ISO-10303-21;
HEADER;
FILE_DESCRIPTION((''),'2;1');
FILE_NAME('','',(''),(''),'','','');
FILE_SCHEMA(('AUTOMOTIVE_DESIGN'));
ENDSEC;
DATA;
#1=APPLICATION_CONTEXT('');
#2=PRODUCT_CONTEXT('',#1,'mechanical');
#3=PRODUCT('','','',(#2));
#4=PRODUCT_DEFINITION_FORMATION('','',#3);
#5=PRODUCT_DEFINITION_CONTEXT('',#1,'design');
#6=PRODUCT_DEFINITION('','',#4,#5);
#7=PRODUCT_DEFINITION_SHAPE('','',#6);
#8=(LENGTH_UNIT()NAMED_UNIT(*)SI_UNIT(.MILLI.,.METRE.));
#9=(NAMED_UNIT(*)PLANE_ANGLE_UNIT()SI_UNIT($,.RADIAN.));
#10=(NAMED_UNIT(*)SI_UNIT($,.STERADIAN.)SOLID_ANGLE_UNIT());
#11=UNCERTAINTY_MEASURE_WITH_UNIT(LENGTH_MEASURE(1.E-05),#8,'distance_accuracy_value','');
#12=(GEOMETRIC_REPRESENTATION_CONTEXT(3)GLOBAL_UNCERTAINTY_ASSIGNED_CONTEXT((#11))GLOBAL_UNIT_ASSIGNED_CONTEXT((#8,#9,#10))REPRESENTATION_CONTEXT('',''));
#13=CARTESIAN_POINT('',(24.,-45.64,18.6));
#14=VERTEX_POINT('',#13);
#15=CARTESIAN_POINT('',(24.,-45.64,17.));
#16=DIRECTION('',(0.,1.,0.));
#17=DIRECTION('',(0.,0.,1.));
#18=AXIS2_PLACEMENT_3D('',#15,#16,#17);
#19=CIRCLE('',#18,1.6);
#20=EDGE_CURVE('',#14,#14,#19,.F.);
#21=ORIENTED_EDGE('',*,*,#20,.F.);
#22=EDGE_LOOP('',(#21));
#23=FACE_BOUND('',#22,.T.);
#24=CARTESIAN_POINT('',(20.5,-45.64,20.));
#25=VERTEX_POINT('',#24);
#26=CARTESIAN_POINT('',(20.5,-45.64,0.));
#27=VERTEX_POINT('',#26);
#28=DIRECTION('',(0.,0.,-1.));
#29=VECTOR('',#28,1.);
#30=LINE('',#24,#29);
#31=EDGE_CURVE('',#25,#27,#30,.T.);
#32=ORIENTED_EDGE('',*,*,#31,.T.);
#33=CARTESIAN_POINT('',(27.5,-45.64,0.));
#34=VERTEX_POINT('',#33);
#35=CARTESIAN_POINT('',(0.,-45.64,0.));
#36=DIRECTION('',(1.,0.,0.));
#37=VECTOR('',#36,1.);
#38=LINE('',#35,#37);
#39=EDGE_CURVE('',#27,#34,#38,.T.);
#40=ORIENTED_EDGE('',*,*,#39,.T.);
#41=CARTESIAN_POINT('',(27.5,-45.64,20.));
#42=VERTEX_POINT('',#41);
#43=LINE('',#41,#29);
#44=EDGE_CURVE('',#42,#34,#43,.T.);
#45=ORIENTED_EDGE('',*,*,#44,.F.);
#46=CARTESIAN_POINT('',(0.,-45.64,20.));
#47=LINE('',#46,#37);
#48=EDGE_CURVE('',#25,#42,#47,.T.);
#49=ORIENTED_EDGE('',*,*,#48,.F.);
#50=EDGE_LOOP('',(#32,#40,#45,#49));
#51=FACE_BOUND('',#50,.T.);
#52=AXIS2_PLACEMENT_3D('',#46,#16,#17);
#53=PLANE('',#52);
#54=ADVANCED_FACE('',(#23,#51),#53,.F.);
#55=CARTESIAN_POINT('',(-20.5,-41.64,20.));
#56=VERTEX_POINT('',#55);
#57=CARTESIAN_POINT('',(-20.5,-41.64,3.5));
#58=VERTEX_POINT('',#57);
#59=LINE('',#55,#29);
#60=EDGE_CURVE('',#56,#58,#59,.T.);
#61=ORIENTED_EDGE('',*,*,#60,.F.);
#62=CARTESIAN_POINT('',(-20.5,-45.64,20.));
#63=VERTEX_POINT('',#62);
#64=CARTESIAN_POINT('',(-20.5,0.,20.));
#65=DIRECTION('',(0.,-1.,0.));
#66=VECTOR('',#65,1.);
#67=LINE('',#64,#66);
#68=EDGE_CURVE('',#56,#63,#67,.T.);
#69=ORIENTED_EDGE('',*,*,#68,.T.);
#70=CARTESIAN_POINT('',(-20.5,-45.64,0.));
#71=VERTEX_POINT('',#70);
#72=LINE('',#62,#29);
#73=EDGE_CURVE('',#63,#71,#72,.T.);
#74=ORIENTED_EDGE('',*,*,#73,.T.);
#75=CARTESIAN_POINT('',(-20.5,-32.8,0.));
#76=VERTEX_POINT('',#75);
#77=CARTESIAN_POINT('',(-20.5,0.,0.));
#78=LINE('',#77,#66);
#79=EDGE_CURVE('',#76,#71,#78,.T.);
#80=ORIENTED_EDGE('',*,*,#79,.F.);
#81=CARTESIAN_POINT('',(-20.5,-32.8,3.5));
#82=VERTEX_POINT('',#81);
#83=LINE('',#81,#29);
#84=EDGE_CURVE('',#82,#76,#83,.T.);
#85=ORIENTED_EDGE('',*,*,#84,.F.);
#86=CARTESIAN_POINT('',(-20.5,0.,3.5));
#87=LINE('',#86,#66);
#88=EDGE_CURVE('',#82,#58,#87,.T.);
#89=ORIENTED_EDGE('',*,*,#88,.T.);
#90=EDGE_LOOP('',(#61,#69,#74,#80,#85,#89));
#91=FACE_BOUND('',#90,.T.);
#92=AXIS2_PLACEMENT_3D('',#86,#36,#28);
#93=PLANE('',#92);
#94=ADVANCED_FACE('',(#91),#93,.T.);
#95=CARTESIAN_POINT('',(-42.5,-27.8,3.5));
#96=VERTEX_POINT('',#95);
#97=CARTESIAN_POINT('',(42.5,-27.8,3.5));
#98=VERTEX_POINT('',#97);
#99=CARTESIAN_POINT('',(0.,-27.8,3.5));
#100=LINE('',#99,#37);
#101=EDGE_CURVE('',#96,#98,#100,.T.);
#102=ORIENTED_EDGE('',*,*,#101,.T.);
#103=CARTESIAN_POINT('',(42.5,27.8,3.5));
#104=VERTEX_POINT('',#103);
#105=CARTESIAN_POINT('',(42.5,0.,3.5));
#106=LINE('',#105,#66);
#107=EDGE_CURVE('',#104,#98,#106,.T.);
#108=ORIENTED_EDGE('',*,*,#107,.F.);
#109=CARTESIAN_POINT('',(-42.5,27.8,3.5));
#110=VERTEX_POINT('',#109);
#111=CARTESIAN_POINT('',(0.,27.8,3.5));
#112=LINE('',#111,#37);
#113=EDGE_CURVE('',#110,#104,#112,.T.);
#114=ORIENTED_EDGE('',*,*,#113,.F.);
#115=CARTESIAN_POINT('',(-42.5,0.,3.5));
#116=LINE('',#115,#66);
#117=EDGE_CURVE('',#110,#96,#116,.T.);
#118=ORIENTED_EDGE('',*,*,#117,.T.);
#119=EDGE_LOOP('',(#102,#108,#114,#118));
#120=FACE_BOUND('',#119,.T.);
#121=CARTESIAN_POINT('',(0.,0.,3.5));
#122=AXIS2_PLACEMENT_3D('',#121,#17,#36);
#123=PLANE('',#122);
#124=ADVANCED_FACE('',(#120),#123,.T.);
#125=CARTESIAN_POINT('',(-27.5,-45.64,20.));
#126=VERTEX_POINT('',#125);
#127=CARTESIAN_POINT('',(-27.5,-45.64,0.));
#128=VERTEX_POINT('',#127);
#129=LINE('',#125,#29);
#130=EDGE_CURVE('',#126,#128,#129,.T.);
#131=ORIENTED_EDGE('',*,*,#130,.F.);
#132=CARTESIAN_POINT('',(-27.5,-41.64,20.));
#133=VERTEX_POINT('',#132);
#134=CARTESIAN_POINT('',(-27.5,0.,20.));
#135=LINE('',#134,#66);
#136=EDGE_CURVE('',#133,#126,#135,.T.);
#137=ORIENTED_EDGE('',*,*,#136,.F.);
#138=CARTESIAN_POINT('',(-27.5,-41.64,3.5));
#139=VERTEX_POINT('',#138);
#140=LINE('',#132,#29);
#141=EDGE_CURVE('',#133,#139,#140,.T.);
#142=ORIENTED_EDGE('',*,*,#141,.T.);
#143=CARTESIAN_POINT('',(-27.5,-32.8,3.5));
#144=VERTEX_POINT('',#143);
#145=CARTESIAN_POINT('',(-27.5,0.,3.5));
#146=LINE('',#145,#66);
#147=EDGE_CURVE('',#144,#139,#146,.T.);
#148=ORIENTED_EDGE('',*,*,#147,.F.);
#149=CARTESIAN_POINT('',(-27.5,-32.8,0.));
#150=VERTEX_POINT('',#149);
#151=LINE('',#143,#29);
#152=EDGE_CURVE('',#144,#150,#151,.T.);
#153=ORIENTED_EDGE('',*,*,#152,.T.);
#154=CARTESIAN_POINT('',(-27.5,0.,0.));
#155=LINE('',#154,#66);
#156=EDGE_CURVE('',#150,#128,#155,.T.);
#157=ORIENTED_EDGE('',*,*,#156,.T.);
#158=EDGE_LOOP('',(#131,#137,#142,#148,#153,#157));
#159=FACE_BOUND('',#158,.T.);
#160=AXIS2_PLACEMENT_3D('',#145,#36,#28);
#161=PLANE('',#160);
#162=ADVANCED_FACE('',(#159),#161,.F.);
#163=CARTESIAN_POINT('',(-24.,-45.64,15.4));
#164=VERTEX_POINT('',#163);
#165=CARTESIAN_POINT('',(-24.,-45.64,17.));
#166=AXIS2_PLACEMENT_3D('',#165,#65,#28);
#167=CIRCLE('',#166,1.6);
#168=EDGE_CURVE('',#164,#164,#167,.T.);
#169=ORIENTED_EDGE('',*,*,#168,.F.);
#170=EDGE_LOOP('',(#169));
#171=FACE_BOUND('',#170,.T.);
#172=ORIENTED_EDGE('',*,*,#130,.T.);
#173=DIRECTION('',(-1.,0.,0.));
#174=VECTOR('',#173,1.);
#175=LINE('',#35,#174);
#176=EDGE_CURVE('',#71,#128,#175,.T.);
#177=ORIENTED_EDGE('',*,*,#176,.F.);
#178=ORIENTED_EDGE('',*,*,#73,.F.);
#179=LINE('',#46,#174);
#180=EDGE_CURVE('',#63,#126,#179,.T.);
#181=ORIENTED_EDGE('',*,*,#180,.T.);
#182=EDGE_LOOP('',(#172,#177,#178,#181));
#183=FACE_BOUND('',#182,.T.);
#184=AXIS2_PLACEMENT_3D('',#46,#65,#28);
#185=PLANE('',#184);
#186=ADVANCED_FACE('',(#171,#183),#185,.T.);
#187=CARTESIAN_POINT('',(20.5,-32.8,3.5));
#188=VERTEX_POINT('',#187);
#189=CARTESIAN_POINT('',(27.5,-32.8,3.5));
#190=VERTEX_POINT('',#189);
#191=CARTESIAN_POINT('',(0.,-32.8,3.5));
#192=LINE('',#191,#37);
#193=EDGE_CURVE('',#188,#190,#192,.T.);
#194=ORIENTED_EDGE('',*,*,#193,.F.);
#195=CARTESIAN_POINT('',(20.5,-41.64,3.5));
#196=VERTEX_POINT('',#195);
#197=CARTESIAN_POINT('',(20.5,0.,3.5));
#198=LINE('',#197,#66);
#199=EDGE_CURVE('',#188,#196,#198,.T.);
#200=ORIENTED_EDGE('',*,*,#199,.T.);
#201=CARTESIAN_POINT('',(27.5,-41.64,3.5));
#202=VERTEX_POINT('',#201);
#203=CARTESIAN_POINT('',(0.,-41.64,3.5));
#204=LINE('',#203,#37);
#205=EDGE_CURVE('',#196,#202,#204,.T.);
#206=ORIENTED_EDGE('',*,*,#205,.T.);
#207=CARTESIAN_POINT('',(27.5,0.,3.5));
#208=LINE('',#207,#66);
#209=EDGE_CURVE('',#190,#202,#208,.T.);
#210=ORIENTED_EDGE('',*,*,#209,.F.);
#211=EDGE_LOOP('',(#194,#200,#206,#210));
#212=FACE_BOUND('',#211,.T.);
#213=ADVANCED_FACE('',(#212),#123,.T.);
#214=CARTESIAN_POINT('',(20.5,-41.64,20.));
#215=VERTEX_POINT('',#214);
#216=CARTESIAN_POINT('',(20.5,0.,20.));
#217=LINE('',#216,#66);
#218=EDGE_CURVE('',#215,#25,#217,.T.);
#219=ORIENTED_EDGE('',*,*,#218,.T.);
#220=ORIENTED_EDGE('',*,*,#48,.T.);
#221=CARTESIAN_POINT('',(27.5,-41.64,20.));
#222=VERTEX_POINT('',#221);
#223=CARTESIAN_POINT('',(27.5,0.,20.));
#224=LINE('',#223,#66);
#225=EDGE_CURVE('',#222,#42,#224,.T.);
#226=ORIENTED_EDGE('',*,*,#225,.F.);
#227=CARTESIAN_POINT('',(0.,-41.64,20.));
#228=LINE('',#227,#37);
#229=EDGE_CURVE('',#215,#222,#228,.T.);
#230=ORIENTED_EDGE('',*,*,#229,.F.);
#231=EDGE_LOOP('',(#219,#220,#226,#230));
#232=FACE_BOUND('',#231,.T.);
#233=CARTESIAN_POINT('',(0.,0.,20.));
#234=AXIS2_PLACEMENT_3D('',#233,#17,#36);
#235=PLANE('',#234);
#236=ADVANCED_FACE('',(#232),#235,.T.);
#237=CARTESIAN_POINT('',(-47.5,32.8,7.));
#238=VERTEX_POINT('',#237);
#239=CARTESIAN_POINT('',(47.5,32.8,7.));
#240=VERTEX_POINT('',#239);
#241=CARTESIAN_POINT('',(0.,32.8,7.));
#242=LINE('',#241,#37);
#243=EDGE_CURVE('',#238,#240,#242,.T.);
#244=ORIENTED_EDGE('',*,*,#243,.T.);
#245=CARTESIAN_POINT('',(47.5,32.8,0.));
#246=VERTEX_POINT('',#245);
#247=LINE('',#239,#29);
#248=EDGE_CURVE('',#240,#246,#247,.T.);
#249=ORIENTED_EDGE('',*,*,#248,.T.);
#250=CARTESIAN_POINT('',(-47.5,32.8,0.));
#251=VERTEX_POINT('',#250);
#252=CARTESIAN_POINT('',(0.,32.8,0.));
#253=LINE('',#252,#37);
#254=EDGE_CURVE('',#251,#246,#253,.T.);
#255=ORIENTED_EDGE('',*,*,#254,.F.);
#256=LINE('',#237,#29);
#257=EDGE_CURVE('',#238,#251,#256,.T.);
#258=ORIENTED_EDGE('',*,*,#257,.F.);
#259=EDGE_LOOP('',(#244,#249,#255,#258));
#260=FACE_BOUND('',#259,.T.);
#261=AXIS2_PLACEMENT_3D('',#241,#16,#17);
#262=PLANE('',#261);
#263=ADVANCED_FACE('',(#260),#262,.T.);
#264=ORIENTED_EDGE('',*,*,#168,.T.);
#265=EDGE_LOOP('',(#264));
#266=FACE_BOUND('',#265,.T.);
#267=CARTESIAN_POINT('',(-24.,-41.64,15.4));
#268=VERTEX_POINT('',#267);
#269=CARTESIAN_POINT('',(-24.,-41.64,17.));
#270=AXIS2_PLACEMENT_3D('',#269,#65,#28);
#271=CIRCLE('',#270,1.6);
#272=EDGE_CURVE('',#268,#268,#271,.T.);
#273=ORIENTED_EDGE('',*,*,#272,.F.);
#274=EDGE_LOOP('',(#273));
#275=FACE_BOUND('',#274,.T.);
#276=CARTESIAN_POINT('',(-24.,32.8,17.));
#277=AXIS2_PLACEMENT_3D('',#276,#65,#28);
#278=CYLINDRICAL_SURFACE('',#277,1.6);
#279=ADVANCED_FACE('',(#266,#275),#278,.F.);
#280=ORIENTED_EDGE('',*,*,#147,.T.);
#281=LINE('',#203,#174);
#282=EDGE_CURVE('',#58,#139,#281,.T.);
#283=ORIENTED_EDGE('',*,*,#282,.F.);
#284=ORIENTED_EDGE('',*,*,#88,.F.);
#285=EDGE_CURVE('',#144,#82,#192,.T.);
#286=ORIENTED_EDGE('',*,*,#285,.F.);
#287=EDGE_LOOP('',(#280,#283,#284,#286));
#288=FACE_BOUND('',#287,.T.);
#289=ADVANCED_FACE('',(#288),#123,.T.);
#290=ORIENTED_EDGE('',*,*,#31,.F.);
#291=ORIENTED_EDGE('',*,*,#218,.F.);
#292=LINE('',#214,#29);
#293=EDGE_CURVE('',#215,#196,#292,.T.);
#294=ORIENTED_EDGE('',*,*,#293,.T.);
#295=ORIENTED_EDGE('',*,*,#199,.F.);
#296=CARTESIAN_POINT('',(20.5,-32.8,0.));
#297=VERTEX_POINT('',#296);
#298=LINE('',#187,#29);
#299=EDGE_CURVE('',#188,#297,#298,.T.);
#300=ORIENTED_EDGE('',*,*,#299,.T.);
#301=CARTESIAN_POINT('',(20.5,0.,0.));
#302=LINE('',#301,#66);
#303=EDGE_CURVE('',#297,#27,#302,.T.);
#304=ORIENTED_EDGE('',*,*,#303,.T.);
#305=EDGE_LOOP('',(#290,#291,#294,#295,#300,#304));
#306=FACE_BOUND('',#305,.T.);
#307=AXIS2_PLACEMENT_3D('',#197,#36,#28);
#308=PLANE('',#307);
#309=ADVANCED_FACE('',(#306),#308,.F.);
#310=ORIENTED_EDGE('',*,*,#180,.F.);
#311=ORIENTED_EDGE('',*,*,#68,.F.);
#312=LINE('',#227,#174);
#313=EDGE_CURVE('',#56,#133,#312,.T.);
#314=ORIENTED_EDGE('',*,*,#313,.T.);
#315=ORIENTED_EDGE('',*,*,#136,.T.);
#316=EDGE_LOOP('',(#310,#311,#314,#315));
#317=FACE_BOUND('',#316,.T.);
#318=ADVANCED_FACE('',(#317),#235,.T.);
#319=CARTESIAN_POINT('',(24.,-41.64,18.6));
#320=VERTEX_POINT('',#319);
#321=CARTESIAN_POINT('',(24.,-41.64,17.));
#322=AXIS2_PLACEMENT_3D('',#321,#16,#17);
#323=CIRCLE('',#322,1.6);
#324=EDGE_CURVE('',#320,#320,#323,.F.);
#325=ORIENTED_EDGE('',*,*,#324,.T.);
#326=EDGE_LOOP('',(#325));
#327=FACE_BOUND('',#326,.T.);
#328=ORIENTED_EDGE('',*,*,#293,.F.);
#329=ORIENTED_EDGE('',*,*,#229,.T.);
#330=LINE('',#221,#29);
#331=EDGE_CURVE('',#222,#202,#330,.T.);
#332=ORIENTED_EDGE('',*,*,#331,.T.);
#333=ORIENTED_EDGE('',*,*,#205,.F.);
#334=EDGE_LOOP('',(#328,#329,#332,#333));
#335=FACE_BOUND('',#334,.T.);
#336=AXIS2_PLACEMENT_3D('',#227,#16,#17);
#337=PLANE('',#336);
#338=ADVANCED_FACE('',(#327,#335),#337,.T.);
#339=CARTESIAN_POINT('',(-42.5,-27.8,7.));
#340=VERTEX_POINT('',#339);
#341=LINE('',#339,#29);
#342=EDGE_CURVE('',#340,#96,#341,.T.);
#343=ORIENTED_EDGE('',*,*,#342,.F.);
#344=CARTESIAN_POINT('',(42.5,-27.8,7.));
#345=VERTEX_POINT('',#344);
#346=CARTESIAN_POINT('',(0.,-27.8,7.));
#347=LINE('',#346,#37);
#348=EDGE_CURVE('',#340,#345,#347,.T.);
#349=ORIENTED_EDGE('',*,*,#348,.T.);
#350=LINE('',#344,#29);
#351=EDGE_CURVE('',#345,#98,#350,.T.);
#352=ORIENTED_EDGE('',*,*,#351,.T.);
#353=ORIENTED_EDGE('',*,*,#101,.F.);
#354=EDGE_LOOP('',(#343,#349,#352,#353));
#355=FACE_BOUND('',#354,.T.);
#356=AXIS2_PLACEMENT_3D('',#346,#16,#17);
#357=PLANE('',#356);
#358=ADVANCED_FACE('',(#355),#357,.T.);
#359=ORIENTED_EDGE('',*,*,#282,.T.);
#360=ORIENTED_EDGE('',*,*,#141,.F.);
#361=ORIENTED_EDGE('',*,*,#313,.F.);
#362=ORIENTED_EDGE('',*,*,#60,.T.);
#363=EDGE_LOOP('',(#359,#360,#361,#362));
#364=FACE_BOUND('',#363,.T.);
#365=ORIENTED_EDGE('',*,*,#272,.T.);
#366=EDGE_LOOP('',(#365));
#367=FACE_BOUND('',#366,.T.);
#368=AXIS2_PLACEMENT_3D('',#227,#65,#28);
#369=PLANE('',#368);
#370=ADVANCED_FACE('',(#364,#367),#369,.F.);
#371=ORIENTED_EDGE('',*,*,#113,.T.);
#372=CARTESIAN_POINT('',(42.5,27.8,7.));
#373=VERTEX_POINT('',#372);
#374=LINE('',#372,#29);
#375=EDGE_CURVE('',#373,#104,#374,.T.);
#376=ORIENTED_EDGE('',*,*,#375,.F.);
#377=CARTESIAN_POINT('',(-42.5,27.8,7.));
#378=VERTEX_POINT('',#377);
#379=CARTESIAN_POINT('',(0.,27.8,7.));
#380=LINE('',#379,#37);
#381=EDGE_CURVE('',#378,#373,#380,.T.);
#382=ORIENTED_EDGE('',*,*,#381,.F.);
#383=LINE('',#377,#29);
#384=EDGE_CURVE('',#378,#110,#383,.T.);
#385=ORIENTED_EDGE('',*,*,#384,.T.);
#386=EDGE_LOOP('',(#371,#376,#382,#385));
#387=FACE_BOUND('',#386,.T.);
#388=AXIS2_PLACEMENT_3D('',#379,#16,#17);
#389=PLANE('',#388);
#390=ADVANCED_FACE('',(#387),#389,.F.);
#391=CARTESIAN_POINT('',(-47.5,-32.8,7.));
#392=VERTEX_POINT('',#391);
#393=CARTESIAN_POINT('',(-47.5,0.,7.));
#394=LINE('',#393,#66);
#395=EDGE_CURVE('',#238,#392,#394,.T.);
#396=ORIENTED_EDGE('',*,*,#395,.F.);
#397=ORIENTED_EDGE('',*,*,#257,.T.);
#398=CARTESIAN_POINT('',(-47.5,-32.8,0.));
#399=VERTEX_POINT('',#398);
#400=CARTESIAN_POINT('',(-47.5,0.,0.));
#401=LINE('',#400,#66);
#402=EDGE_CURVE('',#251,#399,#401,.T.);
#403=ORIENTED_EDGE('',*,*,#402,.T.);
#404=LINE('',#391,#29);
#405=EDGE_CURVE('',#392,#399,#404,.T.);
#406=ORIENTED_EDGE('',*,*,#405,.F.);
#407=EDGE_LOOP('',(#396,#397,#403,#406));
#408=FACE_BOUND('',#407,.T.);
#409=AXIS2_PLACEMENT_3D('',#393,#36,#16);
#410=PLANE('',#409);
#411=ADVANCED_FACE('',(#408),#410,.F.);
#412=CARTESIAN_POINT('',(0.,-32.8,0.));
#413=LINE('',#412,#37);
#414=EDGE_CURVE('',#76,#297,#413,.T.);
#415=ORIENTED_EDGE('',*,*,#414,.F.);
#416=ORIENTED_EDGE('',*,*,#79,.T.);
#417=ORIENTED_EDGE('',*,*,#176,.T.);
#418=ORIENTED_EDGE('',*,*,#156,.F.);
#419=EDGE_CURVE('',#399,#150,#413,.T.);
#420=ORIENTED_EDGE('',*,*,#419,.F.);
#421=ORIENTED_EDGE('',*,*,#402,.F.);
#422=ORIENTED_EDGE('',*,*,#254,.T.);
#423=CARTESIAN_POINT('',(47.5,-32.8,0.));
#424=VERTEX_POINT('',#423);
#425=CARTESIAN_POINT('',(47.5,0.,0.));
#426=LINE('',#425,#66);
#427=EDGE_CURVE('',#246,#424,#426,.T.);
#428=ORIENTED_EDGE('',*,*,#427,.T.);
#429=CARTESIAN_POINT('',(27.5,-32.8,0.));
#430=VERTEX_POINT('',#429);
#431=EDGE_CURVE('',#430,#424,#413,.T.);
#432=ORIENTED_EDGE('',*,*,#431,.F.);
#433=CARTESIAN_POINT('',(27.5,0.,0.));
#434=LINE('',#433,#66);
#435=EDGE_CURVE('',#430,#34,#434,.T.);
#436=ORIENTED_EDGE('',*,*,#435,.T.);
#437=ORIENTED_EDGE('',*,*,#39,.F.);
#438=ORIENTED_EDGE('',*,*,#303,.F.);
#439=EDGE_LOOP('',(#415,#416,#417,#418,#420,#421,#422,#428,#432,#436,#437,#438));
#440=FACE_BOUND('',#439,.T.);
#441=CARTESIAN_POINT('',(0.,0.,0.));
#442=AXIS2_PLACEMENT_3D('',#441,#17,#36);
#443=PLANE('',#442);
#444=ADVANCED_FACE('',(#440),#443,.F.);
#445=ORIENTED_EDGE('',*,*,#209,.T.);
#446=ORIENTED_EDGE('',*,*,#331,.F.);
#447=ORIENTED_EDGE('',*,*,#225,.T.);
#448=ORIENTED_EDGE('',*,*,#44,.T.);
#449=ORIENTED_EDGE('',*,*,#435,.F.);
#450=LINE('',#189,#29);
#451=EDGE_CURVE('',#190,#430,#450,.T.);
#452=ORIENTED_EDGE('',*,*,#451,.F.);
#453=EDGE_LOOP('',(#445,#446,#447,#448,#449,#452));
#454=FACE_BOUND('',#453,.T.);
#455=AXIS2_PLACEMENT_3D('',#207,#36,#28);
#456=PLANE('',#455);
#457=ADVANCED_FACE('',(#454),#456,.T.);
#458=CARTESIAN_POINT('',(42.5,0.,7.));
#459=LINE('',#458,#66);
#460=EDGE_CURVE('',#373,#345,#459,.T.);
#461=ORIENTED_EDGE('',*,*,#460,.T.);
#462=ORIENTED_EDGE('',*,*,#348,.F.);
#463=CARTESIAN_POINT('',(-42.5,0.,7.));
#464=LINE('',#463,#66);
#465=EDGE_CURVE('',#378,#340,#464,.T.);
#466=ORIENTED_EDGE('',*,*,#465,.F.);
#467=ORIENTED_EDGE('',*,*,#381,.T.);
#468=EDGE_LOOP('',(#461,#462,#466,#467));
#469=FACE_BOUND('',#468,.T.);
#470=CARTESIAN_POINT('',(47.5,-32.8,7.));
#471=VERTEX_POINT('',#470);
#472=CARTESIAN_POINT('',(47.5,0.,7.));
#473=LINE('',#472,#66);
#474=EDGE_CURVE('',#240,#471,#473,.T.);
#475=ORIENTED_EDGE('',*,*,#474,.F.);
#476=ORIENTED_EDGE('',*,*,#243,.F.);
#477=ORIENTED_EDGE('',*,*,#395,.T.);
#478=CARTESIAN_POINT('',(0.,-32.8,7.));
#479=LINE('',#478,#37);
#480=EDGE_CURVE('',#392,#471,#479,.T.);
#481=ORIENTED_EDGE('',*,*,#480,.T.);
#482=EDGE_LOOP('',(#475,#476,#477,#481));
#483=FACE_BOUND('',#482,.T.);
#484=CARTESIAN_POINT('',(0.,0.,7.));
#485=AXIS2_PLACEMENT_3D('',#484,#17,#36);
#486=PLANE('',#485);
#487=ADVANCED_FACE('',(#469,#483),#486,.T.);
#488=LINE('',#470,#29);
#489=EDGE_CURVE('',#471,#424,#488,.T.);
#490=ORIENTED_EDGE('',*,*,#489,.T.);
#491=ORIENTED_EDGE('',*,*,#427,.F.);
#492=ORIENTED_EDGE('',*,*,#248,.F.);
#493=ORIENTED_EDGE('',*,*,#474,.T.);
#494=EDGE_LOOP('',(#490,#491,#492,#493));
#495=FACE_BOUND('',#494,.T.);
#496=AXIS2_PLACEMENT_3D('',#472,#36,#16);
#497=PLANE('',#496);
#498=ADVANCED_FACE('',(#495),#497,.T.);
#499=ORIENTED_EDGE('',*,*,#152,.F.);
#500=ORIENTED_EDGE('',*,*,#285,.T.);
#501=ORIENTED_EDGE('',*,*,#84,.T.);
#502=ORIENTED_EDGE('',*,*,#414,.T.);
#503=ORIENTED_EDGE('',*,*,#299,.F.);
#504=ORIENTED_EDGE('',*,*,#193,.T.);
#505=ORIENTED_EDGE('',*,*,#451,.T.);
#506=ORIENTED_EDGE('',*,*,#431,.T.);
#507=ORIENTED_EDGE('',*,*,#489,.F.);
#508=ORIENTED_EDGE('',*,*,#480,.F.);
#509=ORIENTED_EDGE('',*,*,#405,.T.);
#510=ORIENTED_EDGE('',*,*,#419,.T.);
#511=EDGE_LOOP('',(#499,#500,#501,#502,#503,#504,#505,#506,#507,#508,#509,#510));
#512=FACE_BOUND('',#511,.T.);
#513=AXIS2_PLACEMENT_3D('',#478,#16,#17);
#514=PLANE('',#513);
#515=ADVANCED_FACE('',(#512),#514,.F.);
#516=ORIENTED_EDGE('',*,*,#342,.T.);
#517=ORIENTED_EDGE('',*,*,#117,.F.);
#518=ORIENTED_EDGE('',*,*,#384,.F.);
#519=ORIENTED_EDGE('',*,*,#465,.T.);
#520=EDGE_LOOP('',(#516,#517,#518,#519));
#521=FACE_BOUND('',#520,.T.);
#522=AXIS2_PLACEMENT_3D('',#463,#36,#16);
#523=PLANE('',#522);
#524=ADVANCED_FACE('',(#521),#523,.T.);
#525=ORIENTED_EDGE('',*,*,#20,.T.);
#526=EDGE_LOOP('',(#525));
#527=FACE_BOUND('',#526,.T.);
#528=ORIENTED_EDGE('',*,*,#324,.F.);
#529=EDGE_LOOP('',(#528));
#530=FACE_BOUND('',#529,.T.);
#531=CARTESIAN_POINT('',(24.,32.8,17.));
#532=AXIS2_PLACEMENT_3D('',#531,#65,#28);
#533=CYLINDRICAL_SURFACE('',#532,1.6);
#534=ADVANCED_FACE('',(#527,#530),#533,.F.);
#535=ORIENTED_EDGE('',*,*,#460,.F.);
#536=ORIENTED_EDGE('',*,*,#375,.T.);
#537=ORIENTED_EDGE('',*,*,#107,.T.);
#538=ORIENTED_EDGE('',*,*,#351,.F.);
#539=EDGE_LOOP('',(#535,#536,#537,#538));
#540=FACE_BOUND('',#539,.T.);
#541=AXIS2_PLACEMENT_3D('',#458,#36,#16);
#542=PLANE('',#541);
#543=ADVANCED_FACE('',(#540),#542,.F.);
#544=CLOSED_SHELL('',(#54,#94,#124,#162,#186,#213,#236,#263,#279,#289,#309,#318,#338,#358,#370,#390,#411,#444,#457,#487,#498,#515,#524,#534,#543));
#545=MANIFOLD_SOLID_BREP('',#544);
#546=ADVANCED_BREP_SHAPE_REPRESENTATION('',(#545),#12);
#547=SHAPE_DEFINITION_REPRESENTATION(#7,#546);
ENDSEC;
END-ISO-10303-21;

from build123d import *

# Parameters (mm, degrees)
SKETCH1_W           = 85
SKETCH1_H           = 55.6
BOSS_EXTRUDE1_DEPTH = 3.5
SKETCH1_4_W         = 95
SKETCH1_4_H         = 65.6
SKETCH1_4_W_2       = 85
SKETCH1_4_H_2       = 55.6
BOSS_EXTRUDE2_DEPTH = 7
SKETCH1_5_W         = 7
SKETCH1_5_H         = 8.84
BOSS_EXTRUDE3_DEPTH = 3.5
SKETCH1_6_W         = 7
SKETCH1_6_H         = 4
BOSS_EXTRUDE4_DEPTH = 20
CUT_EXTRUDE1_START  = -79.44
SKETCH2_R           = 1.6
CUT_EXTRUDE1_DEPTH  = 80.44


with BuildPart() as part:
    # Sketch1 → Boss-Extrude1 (new body)
    with BuildSketch(Plane.XY):
        Rectangle(SKETCH1_W, SKETCH1_H)
    extrude(amount=BOSS_EXTRUDE1_DEPTH)

    # Sketch1<4> → Boss-Extrude2 (add)
    with BuildSketch(Plane.XY):
        Rectangle(SKETCH1_4_W, SKETCH1_4_H)
        Rectangle(SKETCH1_4_W_2, SKETCH1_4_H_2, mode=Mode.SUBTRACT)
    extrude(amount=BOSS_EXTRUDE2_DEPTH)

    # Sketch1<5> → Boss-Extrude3 (add)
    with BuildSketch(Plane.XY):
        with Locations((-24, -37.22)):
            Rectangle(SKETCH1_5_W, SKETCH1_5_H)
        with Locations((24, -37.22)):
            Rectangle(SKETCH1_5_W, SKETCH1_5_H)
    extrude(amount=BOSS_EXTRUDE3_DEPTH)

    # Sketch1<6> → Boss-Extrude4 (add)
    with BuildSketch(Plane.XY):
        with Locations((-24, -43.64)):
            Rectangle(SKETCH1_6_W, SKETCH1_6_H)
        with Locations((24, -43.64)):
            Rectangle(SKETCH1_6_W, SKETCH1_6_H)
    extrude(amount=BOSS_EXTRUDE4_DEPTH)

    # Sketch2 → Cut-Extrude1 (cut)
    with BuildSketch(Plane(origin=(0, -45.64, 0), x_dir=(-1, 0, 0), z_dir=(0, -1, 0)).offset(CUT_EXTRUDE1_START)):
        with Locations((24, -17)):
            Circle(SKETCH2_R)
    cut_extrude1 = extrude(amount=CUT_EXTRUDE1_DEPTH, mode=Mode.SUBTRACT)

    # Mirror1: Cut-Extrude1 across plane
    add(cut_extrude1.mirror(Plane(origin=(0, 0, 0), x_dir=(0, 0, 1), z_dir=(1, 0, 0))), mode=Mode.SUBTRACT)


solid = part.part
